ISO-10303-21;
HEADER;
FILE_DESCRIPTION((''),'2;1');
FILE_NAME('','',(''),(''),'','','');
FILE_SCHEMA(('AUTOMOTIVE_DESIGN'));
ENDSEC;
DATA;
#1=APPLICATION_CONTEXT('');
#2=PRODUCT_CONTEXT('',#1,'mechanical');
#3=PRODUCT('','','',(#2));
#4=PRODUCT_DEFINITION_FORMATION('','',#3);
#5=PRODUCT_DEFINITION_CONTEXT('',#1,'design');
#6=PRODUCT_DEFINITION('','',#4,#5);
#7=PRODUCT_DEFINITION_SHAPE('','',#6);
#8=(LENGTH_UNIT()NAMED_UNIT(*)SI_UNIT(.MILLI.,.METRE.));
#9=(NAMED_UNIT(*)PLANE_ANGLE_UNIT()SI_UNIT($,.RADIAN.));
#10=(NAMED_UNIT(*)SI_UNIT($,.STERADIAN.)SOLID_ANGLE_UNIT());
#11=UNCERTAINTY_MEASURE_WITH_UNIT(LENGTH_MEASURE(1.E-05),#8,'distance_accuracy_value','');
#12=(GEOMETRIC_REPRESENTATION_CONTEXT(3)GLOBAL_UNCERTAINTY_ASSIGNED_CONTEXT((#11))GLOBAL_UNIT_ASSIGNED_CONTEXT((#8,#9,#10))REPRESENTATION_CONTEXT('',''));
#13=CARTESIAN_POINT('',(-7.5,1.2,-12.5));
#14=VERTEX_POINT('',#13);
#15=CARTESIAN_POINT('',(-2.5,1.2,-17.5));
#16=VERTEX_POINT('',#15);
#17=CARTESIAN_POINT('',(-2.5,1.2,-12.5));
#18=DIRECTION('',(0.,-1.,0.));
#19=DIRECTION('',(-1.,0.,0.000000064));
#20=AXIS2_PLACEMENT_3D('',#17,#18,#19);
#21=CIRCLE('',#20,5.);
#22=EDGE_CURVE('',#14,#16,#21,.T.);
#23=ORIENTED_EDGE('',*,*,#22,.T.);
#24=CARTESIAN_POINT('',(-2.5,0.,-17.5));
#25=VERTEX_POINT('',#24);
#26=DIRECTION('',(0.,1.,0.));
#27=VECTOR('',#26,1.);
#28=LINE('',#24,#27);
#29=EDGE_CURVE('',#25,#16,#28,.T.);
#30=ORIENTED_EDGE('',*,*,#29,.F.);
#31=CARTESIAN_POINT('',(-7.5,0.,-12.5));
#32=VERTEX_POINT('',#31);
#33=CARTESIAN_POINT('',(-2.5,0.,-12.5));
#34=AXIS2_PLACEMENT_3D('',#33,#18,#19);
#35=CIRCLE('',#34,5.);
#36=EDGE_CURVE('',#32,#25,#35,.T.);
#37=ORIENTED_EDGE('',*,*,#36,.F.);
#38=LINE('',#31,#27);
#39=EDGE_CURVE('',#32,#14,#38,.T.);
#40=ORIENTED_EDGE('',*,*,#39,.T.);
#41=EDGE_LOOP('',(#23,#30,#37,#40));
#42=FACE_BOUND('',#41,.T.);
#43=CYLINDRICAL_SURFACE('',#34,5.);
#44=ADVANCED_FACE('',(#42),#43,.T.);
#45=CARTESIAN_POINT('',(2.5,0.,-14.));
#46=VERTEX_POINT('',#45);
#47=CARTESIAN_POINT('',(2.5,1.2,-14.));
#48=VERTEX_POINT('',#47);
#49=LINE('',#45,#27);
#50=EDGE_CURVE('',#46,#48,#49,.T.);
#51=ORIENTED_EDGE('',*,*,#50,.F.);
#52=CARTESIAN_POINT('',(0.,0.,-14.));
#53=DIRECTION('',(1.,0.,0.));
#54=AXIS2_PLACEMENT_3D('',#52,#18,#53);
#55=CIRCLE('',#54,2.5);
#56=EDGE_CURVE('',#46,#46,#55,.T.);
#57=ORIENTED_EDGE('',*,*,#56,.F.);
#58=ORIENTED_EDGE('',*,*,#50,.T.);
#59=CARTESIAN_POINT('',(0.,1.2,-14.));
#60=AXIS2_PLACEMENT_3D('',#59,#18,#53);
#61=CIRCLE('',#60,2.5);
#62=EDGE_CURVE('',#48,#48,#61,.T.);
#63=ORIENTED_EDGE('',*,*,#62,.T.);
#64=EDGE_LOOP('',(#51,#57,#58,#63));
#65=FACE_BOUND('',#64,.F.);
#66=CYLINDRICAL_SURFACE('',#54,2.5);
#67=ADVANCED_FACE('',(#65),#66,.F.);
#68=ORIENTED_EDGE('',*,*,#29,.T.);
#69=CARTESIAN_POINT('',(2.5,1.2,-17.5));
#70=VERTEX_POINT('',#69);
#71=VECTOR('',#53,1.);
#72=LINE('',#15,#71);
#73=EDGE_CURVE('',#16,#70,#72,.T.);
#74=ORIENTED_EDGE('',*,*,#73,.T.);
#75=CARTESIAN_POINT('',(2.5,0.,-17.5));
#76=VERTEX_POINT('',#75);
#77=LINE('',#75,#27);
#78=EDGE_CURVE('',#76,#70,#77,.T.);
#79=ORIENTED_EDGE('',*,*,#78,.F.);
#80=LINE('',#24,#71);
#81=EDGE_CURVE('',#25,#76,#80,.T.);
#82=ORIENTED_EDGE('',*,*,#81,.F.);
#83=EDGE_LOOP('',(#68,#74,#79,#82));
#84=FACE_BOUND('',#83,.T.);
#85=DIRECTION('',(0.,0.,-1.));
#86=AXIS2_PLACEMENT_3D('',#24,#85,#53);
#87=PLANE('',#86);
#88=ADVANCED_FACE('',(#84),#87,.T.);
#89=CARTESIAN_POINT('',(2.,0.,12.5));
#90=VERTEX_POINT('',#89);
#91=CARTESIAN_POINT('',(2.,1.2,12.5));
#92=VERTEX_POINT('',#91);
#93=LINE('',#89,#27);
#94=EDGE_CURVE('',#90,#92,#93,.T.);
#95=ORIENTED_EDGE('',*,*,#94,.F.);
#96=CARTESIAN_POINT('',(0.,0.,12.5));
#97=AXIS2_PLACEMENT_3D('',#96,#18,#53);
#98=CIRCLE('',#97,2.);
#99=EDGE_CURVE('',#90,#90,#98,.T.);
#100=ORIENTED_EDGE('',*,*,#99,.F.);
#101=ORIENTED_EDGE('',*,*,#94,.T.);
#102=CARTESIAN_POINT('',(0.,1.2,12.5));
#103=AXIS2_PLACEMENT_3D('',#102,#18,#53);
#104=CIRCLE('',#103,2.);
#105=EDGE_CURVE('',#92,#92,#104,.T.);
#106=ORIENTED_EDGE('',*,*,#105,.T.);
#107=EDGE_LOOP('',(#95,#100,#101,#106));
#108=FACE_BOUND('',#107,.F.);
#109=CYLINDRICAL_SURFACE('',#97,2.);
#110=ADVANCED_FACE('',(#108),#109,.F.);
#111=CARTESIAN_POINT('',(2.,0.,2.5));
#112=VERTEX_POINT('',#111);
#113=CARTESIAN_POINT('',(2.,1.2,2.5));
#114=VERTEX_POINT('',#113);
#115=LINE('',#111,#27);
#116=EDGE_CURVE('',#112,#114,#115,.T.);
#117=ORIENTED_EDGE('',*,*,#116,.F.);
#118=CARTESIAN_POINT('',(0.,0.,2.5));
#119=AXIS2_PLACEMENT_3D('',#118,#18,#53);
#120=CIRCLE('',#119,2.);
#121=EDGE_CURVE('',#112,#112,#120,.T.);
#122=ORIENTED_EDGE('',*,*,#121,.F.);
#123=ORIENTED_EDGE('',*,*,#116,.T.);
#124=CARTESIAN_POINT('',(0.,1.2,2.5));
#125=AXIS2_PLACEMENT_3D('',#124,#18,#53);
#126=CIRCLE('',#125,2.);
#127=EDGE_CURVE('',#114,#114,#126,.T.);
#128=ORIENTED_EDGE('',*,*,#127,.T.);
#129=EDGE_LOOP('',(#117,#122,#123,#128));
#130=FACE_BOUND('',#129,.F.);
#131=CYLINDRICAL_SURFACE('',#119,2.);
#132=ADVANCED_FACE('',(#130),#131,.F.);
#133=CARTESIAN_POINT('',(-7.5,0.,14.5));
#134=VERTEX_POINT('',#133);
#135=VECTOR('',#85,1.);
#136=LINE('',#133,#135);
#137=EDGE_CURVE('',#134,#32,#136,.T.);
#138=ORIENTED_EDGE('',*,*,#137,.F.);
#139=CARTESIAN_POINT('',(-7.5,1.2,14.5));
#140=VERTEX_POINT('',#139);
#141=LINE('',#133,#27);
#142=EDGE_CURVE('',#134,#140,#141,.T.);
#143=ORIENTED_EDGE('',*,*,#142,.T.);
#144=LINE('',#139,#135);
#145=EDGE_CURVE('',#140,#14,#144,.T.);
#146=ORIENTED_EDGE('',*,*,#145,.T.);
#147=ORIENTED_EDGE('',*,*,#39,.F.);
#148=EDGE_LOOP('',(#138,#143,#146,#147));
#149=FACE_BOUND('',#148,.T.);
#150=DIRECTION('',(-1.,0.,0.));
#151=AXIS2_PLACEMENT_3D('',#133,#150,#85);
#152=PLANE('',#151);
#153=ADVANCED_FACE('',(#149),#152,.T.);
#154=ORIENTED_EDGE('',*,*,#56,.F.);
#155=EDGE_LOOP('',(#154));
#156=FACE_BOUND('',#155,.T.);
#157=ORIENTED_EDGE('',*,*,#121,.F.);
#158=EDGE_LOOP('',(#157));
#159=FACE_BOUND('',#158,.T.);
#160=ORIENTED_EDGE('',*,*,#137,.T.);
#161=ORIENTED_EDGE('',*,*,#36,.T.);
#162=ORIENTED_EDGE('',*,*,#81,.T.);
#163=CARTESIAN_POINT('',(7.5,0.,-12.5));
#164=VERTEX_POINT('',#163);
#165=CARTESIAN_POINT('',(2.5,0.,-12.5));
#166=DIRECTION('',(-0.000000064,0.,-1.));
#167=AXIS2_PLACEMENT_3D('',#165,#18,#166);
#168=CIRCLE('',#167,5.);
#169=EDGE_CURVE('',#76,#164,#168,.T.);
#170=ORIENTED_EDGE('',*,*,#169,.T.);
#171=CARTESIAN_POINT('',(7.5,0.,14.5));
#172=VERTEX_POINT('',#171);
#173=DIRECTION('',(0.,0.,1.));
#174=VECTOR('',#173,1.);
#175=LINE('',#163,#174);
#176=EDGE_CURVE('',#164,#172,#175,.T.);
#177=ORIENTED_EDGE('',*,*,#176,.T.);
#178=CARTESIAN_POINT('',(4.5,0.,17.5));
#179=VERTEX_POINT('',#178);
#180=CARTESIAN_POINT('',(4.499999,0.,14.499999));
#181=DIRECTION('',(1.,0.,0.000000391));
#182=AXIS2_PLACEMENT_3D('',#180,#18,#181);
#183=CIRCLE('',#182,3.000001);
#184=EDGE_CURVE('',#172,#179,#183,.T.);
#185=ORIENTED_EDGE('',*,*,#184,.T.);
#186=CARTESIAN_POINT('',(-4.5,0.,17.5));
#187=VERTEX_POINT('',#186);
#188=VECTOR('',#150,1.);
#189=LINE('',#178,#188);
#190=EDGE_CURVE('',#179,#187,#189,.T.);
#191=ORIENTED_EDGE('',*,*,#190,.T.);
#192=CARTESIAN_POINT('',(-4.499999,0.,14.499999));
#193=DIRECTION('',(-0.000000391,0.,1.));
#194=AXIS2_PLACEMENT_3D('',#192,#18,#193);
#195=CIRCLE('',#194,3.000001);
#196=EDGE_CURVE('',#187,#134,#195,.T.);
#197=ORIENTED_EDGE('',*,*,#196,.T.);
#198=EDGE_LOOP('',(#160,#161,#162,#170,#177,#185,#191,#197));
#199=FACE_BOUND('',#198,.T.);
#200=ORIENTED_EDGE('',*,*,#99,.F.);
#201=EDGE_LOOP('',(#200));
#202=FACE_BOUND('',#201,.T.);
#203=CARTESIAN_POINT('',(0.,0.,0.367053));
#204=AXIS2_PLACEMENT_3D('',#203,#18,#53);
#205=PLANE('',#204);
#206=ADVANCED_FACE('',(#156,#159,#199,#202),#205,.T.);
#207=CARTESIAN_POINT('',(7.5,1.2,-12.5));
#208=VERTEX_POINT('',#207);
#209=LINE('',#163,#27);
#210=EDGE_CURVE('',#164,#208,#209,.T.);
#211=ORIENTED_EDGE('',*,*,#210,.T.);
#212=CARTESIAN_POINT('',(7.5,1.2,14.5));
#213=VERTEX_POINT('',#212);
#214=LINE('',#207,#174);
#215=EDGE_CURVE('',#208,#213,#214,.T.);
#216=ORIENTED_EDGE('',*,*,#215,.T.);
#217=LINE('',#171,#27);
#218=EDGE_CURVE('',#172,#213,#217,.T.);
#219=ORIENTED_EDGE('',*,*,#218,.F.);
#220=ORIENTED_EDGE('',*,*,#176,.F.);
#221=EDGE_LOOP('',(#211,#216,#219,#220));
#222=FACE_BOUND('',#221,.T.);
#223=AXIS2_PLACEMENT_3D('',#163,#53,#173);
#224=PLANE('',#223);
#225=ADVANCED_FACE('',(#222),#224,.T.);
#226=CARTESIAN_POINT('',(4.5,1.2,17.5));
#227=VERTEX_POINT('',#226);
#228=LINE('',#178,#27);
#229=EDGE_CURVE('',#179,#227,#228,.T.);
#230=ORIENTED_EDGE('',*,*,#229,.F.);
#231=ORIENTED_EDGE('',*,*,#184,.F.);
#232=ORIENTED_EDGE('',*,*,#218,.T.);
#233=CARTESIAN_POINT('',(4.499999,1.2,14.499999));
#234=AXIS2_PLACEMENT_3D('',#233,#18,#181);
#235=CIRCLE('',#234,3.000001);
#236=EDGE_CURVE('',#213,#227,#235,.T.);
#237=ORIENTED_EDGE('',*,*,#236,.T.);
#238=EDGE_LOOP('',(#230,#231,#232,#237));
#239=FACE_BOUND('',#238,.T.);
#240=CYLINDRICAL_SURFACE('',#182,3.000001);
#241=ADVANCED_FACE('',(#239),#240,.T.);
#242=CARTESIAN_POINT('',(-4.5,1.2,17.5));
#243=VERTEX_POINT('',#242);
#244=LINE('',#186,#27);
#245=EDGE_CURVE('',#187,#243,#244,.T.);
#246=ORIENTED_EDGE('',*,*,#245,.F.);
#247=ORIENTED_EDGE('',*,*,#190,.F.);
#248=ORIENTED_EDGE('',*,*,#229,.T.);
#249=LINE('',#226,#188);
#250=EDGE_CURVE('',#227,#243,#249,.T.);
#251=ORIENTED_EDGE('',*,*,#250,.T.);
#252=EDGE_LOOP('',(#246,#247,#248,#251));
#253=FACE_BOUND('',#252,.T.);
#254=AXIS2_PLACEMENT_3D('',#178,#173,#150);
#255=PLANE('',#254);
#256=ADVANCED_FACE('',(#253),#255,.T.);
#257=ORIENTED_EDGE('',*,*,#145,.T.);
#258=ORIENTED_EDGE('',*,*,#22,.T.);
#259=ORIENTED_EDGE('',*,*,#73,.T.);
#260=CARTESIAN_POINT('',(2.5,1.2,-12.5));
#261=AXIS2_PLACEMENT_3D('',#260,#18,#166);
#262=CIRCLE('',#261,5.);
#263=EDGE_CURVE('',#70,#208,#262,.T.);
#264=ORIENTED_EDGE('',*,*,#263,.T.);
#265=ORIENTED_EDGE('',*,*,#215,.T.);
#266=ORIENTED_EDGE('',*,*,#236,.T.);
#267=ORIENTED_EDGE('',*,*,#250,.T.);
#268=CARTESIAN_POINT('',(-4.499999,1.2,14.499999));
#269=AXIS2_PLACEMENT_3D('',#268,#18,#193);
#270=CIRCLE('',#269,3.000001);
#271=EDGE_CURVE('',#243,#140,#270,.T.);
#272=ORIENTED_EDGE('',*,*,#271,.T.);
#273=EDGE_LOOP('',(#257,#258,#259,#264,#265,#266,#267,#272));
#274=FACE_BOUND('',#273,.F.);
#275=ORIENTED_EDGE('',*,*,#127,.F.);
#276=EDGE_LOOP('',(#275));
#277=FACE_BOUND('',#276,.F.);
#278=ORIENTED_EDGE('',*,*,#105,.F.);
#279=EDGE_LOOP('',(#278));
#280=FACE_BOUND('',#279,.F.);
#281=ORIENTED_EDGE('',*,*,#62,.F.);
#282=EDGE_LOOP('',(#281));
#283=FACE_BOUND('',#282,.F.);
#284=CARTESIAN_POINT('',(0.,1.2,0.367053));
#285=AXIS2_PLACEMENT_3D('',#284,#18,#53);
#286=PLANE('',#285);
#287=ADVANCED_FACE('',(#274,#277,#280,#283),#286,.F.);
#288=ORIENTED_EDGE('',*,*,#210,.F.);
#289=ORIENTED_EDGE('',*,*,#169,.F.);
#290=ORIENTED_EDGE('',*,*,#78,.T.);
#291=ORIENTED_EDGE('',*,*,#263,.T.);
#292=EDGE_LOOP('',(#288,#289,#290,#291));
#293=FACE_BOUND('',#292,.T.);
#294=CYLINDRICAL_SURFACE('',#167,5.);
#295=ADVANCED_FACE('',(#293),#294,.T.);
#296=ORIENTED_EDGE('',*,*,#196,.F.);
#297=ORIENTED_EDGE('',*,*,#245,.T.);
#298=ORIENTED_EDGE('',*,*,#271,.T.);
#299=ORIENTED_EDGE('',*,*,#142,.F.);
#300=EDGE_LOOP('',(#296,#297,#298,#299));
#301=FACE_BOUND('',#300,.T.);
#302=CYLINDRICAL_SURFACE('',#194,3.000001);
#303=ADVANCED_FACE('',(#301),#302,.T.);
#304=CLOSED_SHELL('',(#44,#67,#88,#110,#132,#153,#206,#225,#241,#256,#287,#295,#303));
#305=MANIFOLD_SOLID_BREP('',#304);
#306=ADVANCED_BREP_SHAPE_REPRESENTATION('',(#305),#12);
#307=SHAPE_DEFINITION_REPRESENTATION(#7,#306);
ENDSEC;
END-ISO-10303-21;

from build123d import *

# Parameters (mm, degrees)
F0_R     = 2.5
F0_R_2   = 2
F1_DEPTH = 1.2


with BuildPart() as f1:
    # F0 (on Front) → F1 (new body)
    with BuildSketch(Plane.XZ):
        with BuildLine():
            Line((-2.5, -17.5), (2.5, -17.5))
            ThreePointArc((2.5, -17.5), (6.035534, -16.035534), (7.5, -12.5))
            Line((7.5, -12.5), (7.5, 14.5))
            ThreePointArc((7.5, 14.5), (6.62132, 16.62132), (4.5, 17.5))
            Line((4.5, 17.5), (-4.5, 17.5))
            ThreePointArc((-4.5, 17.5), (-6.62132, 16.62132), (-7.5, 14.5))
            Line((-7.5, 14.5), (-7.5, -12.5))
            ThreePointArc((-7.5, -12.5), (-6.035534, -16.035534), (-2.5, -17.5))
        make_face()
        with Locations((0, -14)):
            Circle(F0_R, mode=Mode.SUBTRACT)
        with Locations((0, 2.5)):
            Circle(F0_R_2, mode=Mode.SUBTRACT)
        with Locations((0, 12.5)):
            Circle(F0_R_2, mode=Mode.SUBTRACT)
    extrude(amount=-F1_DEPTH)


solid = f1.part
